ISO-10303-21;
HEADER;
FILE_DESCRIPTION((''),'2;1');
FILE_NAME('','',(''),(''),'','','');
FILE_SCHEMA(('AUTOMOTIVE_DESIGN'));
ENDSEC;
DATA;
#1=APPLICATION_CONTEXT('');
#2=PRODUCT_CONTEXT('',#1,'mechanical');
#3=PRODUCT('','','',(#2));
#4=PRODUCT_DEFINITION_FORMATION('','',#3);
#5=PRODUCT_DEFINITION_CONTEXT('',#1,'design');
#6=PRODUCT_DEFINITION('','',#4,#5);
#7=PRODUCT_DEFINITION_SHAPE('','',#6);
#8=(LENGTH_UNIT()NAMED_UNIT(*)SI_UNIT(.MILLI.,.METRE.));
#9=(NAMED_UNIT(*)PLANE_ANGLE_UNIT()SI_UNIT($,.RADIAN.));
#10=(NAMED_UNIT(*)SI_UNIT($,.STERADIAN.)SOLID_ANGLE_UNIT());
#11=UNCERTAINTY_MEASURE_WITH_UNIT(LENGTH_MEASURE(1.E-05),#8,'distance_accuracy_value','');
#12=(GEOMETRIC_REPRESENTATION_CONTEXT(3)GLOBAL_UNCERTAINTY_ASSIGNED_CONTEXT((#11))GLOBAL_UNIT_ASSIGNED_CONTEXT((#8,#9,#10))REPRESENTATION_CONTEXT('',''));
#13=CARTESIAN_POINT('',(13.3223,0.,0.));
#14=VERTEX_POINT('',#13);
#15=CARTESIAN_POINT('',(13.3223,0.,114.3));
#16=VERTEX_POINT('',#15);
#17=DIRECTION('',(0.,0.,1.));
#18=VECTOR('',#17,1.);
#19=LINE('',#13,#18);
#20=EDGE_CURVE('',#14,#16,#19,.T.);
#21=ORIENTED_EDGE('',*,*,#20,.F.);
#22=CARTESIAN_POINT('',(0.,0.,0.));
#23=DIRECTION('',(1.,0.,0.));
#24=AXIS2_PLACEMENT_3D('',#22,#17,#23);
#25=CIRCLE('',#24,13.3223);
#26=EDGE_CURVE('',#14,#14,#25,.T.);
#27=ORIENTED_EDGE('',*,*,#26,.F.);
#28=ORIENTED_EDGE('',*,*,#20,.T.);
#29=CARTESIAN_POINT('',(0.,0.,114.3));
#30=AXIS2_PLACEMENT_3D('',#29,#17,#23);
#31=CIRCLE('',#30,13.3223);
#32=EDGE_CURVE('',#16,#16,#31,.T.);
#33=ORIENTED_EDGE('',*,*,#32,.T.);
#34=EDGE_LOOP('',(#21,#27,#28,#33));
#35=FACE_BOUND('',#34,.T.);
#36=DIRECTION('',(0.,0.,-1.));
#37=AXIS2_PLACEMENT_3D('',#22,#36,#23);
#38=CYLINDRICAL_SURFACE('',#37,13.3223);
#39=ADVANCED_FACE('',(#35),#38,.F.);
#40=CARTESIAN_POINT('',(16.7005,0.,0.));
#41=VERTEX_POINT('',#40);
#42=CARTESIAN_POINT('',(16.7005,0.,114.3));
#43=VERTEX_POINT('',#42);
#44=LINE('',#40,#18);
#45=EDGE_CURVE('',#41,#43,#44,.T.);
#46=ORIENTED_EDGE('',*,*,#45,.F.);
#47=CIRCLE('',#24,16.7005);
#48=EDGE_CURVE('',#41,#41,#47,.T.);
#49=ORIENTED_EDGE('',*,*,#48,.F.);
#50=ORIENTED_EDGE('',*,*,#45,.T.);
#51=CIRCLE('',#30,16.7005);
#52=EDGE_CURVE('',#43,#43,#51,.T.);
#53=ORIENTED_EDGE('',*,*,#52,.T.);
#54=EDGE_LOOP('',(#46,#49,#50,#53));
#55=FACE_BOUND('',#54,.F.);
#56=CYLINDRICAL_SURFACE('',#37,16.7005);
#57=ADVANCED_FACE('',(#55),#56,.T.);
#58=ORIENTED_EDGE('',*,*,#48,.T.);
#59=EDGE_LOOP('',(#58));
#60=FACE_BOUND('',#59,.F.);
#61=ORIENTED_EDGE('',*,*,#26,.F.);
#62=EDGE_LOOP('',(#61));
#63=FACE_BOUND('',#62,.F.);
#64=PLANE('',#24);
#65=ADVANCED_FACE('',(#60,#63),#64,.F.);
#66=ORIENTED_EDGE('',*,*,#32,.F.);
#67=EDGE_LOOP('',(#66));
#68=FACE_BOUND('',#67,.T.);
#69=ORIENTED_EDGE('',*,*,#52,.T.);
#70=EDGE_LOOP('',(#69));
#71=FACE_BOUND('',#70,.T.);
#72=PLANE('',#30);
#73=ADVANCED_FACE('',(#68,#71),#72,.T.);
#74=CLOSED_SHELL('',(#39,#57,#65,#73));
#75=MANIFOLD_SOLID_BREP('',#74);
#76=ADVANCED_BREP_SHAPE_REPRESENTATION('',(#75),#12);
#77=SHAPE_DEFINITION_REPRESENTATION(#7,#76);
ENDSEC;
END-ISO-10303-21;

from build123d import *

# Parameters (mm, degrees)
SKETCH_R   = 16.7005
SKETCH_R_2 = 13.3223
PAD_DEPTH  = 114.3


with BuildPart() as part:
    # Sketch → Pad (new body)
    with BuildSketch(Plane.XY):
        Circle(SKETCH_R)
        Circle(SKETCH_R_2, mode=Mode.SUBTRACT)
    extrude(amount=PAD_DEPTH)


solid = part.part
